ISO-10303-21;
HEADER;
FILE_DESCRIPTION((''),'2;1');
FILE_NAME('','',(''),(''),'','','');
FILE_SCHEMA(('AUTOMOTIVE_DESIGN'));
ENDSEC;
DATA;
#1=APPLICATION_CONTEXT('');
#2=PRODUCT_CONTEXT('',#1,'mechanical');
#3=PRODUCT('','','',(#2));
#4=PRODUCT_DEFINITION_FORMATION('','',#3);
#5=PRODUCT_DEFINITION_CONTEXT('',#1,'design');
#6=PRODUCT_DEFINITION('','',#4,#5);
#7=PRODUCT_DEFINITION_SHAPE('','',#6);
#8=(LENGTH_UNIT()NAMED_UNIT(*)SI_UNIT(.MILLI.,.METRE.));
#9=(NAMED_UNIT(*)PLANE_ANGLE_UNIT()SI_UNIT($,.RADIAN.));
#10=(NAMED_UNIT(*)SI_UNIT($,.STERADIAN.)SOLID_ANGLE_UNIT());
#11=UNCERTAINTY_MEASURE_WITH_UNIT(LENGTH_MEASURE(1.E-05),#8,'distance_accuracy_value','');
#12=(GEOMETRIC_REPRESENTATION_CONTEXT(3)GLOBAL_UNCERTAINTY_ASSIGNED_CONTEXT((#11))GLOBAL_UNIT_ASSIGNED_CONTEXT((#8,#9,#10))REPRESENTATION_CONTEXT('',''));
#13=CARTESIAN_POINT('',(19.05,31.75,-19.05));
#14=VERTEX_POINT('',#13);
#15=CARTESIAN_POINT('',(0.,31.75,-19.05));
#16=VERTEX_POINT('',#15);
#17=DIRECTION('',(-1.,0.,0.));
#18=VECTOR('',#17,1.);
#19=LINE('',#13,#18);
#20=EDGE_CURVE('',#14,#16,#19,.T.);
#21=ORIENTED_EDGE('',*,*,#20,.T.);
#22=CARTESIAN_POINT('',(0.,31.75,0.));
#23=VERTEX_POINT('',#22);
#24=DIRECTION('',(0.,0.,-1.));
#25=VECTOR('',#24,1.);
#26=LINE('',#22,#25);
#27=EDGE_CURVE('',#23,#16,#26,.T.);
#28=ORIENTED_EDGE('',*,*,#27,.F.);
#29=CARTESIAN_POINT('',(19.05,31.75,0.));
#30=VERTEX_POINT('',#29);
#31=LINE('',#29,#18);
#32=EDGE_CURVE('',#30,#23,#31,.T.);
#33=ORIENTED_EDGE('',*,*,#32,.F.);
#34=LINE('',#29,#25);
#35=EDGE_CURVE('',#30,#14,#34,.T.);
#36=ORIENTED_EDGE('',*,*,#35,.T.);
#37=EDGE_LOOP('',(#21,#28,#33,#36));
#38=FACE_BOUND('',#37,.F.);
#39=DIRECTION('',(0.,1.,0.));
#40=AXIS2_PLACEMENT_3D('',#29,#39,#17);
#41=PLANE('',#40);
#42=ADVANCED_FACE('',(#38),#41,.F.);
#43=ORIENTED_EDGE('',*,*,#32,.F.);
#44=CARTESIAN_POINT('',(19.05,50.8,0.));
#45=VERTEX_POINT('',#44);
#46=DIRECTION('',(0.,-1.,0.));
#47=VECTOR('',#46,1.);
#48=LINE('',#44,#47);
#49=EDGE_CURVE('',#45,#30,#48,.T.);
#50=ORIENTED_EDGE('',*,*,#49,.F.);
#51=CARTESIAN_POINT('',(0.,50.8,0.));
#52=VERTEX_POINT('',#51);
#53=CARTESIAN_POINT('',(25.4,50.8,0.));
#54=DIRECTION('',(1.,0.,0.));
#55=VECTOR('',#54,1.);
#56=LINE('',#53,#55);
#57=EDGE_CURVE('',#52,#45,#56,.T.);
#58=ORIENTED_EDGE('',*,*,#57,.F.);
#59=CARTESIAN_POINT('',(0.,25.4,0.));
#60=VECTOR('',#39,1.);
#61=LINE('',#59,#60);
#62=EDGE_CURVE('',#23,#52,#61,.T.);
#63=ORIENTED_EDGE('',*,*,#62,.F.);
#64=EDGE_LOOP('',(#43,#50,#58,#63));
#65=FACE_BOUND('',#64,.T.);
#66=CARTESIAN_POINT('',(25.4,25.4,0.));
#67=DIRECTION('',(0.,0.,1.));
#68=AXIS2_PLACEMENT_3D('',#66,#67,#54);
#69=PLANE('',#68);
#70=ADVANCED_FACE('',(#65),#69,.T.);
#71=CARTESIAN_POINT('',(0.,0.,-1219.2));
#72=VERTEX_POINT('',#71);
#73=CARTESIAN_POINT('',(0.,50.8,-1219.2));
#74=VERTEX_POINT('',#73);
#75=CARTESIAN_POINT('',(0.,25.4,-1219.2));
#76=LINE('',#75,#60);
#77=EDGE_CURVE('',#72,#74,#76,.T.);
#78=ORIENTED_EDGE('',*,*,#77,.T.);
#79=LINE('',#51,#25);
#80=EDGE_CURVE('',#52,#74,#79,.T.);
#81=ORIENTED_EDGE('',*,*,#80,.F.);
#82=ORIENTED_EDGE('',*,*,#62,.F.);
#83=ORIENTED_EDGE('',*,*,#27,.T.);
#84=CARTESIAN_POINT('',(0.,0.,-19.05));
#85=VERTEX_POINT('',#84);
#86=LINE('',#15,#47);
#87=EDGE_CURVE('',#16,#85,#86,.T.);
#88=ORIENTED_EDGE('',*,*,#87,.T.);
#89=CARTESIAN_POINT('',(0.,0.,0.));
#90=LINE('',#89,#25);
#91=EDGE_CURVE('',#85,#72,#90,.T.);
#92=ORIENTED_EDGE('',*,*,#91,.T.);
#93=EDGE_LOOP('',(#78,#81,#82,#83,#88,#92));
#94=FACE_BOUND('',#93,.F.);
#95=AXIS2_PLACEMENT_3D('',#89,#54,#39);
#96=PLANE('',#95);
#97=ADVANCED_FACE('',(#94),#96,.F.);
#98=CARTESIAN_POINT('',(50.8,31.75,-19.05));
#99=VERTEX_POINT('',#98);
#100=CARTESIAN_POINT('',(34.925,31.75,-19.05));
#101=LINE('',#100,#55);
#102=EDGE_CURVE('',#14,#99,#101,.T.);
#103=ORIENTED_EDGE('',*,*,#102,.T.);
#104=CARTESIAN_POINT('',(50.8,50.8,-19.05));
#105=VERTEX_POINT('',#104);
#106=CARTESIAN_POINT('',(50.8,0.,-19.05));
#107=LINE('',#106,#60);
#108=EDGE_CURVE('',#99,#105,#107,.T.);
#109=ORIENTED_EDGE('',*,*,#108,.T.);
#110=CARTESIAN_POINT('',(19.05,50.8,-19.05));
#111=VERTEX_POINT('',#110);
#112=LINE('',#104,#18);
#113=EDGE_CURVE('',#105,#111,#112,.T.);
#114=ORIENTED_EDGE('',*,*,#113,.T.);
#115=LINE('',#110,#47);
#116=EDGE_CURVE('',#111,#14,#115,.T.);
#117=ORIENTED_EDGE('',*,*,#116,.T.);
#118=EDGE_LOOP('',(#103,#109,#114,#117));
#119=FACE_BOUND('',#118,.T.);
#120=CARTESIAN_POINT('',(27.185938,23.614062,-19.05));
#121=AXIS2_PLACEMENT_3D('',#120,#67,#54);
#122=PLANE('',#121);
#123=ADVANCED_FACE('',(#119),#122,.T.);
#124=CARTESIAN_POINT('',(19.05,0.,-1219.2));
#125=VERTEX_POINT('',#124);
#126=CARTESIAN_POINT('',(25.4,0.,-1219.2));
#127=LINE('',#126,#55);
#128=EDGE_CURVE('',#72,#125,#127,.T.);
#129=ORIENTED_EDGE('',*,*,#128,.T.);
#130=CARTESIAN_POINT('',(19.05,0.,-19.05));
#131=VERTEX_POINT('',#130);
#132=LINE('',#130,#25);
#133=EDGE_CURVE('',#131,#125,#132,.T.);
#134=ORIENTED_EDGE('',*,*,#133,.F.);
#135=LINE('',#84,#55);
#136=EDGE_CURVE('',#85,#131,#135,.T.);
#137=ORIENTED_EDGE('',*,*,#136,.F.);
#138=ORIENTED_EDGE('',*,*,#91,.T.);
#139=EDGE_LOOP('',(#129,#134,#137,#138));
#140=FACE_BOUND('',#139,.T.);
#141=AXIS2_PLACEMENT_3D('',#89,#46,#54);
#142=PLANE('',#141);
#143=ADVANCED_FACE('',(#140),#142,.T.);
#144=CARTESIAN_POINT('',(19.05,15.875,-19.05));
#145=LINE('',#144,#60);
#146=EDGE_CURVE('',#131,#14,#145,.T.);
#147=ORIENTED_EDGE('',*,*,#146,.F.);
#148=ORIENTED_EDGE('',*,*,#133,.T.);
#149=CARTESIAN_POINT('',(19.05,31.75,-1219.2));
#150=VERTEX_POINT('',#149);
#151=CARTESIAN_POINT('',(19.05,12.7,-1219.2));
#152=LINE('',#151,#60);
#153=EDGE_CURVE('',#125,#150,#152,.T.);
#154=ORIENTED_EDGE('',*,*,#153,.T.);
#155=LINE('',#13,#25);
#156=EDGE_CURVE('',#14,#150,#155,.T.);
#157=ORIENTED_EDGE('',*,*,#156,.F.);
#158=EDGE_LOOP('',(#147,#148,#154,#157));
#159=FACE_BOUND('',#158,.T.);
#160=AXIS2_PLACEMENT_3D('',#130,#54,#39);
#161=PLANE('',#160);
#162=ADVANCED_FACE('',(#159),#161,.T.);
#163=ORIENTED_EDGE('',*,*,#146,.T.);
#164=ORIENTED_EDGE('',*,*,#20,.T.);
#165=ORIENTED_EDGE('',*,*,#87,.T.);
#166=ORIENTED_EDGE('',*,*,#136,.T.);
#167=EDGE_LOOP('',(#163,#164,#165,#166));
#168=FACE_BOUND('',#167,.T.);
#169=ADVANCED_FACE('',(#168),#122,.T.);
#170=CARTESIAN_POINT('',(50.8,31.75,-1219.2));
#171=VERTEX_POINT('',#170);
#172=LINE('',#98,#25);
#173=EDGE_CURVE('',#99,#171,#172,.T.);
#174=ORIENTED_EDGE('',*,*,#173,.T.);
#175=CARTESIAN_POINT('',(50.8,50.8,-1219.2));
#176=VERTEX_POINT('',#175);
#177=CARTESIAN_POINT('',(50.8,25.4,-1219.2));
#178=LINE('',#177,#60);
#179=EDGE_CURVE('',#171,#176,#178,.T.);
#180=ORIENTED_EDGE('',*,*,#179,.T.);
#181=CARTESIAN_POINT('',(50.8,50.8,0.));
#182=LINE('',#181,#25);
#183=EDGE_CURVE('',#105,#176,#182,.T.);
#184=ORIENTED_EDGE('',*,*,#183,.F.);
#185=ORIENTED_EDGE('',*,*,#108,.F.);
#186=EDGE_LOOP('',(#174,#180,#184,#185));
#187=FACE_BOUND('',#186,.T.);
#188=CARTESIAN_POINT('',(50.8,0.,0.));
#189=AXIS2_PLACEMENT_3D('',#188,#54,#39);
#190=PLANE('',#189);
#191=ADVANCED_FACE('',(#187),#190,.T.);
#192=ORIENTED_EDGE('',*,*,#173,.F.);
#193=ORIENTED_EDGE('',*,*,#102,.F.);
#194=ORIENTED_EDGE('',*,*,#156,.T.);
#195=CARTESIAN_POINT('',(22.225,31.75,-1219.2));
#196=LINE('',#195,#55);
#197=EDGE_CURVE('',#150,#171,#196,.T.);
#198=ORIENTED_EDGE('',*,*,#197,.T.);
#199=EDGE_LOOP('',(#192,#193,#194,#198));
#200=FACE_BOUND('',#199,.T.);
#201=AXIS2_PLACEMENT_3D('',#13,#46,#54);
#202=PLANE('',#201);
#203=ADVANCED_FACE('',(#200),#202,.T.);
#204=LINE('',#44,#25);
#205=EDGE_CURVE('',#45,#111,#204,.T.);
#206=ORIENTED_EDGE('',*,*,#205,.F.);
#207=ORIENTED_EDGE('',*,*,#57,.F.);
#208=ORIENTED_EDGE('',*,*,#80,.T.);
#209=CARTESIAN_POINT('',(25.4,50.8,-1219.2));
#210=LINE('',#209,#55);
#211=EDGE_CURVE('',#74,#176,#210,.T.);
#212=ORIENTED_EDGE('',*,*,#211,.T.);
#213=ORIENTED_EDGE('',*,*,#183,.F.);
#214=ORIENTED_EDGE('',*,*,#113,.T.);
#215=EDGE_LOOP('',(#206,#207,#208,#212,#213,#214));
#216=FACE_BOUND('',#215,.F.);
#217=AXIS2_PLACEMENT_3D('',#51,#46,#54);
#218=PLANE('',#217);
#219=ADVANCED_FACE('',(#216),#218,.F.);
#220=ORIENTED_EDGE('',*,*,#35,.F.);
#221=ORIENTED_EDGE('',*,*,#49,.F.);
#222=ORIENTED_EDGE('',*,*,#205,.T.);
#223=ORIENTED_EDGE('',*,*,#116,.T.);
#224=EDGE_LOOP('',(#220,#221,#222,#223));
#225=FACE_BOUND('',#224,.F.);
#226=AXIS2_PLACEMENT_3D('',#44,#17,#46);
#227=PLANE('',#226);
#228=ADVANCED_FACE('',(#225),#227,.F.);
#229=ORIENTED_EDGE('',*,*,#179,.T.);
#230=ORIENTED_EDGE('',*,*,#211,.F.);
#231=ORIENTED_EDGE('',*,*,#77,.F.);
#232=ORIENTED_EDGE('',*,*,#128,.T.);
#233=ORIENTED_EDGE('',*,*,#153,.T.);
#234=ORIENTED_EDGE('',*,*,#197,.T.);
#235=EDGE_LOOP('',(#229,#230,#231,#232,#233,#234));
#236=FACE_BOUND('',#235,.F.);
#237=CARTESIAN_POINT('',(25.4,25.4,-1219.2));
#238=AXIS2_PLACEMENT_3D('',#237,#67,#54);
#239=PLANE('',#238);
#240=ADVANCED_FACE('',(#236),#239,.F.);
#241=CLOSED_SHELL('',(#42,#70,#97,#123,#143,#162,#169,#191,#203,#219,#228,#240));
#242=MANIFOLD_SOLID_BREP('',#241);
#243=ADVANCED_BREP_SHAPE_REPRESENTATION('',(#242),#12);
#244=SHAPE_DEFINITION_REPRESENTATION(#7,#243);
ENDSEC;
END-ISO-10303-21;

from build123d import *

# Parameters (mm, degrees)
F0_W     = 50.8
F0_H     = 50.8
F1_DEPTH = 1219.2
F3_DEPTH = 19.05
F4_W     = 31.75
F4_H     = 31.75
F5_DEPTH = 1200.151


with BuildPart() as f1:
    # F0 (on Top) → F1 (new body)
    with BuildSketch(Plane.XY):
        with Locations((25.4, 25.4)):
            Rectangle(F0_W, F0_H)
    extrude(amount=-F1_DEPTH)

    # F2 (on face) → F3 (cut)
    with BuildSketch(Plane.XY):
        Polygon((19.05, 31.75), (0, 31.75), (0, 0), (50.8, 0), (50.8, 50.8), (19.05, 50.8), align=None)
    extrude(amount=-F3_DEPTH, mode=Mode.SUBTRACT)

    # F4 (on face) → F5 (cut, through all)
    with BuildSketch(Plane.XY.offset(-19.05)):
        with Locations((34.925, 15.875)):
            Rectangle(F4_W, F4_H)
    extrude(amount=-F5_DEPTH, mode=Mode.SUBTRACT)


solid = f1.part
